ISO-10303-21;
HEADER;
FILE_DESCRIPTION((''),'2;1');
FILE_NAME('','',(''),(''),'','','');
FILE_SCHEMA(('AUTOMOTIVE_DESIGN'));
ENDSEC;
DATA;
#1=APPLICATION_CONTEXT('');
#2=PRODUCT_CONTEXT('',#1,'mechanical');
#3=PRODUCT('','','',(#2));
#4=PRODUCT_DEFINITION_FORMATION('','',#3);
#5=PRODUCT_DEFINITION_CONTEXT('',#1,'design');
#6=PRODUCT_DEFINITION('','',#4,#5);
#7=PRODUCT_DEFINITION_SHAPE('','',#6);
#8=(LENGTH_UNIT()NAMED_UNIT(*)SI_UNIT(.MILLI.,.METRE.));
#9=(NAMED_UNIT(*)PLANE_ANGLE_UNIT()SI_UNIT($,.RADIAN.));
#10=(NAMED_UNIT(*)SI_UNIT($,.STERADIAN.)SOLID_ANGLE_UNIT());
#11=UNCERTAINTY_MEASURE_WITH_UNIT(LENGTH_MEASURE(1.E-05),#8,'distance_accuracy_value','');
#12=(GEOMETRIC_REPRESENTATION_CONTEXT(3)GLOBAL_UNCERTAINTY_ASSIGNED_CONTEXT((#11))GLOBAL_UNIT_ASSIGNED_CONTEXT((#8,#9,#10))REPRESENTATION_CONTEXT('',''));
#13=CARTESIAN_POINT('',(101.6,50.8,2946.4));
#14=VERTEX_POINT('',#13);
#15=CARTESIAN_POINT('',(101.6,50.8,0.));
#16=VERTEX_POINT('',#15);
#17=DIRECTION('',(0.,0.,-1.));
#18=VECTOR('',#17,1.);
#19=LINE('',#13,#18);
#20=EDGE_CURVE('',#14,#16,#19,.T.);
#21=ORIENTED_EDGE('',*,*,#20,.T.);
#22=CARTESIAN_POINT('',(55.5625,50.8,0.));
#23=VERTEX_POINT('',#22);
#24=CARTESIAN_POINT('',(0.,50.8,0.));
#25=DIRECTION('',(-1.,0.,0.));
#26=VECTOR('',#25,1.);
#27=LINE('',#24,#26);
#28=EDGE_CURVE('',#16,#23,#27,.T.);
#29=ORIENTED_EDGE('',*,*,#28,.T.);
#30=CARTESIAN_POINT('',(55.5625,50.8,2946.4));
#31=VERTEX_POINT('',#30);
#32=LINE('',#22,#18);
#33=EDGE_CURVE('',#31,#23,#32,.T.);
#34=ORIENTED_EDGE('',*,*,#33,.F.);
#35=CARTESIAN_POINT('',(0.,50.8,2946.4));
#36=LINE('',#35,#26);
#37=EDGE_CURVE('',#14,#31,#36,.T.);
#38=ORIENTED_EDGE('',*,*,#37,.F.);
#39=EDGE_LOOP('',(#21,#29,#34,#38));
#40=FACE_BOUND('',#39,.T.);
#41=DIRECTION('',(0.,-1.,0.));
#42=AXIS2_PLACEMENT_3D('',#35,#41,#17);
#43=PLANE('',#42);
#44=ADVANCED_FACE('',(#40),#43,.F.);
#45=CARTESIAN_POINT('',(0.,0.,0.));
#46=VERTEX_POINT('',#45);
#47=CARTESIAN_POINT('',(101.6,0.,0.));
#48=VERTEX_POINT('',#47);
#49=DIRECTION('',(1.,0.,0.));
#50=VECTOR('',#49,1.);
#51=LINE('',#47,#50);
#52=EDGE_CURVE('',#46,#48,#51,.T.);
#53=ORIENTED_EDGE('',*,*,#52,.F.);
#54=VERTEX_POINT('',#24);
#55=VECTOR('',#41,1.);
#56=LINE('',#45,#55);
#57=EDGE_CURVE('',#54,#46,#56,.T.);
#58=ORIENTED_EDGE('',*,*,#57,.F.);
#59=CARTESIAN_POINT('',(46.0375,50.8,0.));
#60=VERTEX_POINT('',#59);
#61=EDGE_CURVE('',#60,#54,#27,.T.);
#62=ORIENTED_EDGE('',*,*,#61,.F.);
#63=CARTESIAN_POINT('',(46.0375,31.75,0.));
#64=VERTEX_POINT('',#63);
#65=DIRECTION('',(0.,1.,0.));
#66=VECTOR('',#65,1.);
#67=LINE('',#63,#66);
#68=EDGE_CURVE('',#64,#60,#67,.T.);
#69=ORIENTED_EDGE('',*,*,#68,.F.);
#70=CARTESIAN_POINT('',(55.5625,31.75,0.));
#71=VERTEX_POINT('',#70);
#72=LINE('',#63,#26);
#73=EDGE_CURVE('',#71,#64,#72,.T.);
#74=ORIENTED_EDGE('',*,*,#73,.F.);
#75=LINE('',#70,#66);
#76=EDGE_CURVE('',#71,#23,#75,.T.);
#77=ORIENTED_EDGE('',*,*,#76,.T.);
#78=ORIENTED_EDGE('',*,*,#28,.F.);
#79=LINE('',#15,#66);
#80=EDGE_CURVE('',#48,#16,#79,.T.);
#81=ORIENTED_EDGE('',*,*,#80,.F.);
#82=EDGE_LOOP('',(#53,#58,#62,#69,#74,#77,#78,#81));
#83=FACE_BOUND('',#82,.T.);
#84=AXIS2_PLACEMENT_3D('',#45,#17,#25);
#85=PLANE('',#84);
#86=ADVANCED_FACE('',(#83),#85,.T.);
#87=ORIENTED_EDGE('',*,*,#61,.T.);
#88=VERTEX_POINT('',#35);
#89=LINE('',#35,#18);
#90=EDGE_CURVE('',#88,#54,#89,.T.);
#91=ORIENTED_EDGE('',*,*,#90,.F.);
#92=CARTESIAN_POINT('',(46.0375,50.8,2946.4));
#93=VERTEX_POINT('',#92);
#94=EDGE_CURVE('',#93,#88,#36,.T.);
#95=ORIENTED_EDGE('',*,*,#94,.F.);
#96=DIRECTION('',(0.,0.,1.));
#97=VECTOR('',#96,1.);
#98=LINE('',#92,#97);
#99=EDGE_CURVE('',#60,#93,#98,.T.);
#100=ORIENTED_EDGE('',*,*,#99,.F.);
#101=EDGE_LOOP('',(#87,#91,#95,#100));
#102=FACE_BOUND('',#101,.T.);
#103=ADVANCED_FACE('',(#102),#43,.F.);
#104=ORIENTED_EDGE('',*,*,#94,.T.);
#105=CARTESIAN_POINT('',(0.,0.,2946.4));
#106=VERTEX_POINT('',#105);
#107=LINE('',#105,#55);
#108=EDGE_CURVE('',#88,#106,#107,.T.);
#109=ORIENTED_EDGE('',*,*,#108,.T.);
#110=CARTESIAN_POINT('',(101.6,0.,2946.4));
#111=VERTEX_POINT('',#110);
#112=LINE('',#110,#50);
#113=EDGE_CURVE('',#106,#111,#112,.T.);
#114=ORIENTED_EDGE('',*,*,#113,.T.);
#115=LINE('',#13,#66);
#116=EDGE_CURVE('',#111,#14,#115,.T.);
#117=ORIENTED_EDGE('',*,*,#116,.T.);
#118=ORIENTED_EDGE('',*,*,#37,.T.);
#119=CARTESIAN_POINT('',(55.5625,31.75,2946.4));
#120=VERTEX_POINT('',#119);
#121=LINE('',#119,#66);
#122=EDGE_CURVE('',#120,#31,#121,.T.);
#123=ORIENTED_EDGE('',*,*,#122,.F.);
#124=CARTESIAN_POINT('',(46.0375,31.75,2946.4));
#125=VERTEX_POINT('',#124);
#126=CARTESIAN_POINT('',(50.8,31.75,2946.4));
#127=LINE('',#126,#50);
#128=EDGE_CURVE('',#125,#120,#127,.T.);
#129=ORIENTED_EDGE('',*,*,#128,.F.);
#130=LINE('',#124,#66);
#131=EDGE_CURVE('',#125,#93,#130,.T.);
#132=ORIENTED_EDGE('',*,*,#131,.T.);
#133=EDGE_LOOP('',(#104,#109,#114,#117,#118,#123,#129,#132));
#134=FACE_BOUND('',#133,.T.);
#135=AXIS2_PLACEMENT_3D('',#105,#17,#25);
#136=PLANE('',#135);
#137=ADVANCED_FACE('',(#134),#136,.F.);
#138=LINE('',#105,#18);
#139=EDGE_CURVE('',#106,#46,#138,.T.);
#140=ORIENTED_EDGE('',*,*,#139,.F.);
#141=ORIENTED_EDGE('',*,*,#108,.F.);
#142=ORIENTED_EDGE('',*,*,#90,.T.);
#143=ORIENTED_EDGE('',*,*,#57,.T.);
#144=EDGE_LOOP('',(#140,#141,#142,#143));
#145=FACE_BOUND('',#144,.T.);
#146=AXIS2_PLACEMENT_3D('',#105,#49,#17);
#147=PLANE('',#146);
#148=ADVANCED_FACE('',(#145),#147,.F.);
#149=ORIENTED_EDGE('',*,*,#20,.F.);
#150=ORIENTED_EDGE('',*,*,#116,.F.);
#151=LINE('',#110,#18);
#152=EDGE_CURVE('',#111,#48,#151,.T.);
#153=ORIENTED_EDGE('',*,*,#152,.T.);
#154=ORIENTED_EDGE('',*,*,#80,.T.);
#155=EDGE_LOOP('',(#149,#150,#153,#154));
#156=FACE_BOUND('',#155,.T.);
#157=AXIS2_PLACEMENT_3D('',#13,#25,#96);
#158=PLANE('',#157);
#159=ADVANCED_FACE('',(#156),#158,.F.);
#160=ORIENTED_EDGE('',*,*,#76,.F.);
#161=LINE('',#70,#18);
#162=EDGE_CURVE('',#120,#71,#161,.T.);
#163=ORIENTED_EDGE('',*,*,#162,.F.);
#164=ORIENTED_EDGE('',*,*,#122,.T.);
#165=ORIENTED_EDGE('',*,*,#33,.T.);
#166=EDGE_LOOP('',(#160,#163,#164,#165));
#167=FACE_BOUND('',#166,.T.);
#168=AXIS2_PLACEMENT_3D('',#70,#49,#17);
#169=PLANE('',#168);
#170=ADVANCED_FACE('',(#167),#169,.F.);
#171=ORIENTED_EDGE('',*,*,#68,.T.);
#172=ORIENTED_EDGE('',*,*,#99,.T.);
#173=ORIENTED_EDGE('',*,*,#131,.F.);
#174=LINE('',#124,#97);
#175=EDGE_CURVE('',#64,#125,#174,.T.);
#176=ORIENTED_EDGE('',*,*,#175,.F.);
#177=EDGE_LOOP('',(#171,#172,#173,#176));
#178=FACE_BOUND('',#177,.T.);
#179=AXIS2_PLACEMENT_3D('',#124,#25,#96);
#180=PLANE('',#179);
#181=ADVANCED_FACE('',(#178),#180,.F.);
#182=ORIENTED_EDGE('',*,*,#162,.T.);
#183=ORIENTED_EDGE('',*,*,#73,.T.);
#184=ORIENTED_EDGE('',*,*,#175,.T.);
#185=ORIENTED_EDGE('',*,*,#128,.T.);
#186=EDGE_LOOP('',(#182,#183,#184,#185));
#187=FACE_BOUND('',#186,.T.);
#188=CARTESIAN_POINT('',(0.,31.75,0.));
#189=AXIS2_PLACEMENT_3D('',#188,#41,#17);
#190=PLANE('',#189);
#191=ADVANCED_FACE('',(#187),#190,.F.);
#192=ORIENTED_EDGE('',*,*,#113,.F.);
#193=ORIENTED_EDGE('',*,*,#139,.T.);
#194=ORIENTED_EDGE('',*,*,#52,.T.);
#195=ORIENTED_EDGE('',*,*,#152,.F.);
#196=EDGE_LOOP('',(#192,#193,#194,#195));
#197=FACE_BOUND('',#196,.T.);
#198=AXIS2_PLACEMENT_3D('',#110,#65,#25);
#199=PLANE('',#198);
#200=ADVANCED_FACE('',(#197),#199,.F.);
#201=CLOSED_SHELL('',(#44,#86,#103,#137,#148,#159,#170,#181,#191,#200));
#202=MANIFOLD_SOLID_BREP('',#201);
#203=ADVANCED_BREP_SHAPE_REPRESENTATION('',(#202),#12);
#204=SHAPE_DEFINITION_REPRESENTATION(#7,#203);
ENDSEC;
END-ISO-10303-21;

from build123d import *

# Parameters (mm, degrees)
SKETCH1_W           = 101.6
SKETCH1_H           = 50.8
BOSS_EXTRUDE1_DEPTH = 2946.4
CUT_EXTRUDE1_DEPTH  = 19.05


with BuildPart() as part:
    # Sketch1 → Boss-Extrude1 (new body)
    with BuildSketch(Plane.XY):
        with Locations((50.8, 25.4)):
            Rectangle(SKETCH1_W, SKETCH1_H)
    extrude(amount=BOSS_EXTRUDE1_DEPTH)

    # Sketch2 → Cut-Extrude1 (cut)
    with BuildSketch(Plane(origin=(0, 50.8, 0), x_dir=(1, 0, 0), z_dir=(0, 1, 0))):
        Polygon((50.8, -2946.4), (46.0375, -2946.4), (46.0375, 0), (55.5625, 0), (55.5625, -2946.4), align=None)
    extrude(amount=-CUT_EXTRUDE1_DEPTH, mode=Mode.SUBTRACT)


solid = part.part
